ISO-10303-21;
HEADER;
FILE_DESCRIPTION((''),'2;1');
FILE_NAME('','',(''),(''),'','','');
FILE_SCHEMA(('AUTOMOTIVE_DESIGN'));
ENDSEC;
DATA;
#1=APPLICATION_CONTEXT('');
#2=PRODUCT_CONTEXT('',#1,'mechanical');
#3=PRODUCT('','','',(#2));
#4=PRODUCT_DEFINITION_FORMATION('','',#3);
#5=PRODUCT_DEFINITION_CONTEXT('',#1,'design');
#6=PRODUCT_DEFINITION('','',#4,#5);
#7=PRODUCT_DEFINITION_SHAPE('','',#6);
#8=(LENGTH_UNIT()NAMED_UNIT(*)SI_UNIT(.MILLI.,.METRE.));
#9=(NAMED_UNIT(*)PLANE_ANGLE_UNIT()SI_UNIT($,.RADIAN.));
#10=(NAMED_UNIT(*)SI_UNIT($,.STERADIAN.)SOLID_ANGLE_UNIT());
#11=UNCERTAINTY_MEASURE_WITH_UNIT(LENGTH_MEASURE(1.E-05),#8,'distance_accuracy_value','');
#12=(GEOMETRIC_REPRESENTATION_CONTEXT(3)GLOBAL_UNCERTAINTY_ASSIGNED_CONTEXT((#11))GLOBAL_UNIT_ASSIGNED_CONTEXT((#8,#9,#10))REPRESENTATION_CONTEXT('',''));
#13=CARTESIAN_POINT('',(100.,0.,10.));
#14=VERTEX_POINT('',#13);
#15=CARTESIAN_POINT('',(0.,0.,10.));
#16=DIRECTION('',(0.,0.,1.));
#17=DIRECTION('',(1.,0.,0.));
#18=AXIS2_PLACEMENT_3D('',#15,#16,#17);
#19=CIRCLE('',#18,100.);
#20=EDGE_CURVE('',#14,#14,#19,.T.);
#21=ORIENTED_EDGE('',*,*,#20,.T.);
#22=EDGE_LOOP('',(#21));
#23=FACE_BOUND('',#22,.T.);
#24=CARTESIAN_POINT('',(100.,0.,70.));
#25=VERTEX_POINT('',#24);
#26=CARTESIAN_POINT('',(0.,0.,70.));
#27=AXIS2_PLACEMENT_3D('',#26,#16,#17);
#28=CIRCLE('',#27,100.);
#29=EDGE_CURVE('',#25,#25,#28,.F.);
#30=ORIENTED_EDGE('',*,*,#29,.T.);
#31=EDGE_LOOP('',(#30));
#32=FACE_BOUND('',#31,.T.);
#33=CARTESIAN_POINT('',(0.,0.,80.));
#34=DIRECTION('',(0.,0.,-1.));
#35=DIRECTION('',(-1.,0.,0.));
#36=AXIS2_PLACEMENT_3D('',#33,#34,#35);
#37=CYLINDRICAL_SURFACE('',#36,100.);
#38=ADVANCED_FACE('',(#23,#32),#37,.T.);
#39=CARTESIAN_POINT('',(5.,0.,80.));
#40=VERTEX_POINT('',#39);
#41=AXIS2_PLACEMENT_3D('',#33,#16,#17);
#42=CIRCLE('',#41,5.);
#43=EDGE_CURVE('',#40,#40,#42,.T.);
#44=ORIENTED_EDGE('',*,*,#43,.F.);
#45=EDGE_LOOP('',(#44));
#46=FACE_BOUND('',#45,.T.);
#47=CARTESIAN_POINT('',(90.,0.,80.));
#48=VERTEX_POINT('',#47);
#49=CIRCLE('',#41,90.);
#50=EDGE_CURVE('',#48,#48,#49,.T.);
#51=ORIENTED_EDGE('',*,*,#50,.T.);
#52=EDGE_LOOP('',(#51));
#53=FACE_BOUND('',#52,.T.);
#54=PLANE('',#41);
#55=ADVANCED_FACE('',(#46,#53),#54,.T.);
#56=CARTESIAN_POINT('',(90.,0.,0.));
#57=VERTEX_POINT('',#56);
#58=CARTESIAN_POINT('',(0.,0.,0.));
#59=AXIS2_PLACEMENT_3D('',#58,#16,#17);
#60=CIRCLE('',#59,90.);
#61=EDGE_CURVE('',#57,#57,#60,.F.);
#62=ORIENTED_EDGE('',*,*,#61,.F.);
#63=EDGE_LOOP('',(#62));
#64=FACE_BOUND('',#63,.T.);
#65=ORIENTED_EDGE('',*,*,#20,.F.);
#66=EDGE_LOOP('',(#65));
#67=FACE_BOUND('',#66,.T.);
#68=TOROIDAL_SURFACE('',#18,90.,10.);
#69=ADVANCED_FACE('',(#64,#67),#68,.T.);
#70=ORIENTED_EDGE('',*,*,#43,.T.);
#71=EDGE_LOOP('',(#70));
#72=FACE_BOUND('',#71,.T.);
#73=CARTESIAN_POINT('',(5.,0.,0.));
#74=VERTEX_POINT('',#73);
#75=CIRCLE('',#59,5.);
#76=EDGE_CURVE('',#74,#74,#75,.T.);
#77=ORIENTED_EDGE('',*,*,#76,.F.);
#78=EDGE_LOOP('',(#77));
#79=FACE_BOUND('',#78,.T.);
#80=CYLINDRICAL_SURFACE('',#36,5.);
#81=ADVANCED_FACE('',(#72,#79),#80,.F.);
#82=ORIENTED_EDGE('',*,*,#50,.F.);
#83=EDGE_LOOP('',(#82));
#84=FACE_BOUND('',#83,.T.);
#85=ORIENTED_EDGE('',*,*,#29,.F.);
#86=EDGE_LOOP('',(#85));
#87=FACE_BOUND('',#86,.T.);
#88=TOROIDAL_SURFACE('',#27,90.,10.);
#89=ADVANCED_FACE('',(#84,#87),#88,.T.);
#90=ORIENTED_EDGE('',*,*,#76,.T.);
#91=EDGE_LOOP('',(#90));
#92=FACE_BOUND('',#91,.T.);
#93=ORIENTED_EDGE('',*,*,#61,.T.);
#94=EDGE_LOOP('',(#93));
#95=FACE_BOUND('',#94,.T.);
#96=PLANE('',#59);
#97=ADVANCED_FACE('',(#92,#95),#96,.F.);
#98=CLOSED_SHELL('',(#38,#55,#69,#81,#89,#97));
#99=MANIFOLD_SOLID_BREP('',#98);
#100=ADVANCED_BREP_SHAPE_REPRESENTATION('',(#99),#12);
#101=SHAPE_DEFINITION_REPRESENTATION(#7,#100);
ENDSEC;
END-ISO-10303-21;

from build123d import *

# Parameters (mm, degrees)
SKETCH1_R           = 100
SKETCH1_R_2         = 5
BOSS_EXTRUDE1_DEPTH = 80
FILLET1_R           = 10


with BuildPart() as part:
    # Sketch1 → Boss-Extrude1 (new body)
    with BuildSketch(Plane.XY):
        Circle(SKETCH1_R)
        Circle(SKETCH1_R_2, mode=Mode.SUBTRACT)
    extrude(amount=BOSS_EXTRUDE1_DEPTH)

    # Fillet1
    fillet1_edges = [part.edges().sort_by_distance(p)[0] for p in [
        (-100, 0, 0),
        (-100, 0, 80),
    ]]
    fillet(fillet1_edges, radius=FILLET1_R)


solid = part.part
